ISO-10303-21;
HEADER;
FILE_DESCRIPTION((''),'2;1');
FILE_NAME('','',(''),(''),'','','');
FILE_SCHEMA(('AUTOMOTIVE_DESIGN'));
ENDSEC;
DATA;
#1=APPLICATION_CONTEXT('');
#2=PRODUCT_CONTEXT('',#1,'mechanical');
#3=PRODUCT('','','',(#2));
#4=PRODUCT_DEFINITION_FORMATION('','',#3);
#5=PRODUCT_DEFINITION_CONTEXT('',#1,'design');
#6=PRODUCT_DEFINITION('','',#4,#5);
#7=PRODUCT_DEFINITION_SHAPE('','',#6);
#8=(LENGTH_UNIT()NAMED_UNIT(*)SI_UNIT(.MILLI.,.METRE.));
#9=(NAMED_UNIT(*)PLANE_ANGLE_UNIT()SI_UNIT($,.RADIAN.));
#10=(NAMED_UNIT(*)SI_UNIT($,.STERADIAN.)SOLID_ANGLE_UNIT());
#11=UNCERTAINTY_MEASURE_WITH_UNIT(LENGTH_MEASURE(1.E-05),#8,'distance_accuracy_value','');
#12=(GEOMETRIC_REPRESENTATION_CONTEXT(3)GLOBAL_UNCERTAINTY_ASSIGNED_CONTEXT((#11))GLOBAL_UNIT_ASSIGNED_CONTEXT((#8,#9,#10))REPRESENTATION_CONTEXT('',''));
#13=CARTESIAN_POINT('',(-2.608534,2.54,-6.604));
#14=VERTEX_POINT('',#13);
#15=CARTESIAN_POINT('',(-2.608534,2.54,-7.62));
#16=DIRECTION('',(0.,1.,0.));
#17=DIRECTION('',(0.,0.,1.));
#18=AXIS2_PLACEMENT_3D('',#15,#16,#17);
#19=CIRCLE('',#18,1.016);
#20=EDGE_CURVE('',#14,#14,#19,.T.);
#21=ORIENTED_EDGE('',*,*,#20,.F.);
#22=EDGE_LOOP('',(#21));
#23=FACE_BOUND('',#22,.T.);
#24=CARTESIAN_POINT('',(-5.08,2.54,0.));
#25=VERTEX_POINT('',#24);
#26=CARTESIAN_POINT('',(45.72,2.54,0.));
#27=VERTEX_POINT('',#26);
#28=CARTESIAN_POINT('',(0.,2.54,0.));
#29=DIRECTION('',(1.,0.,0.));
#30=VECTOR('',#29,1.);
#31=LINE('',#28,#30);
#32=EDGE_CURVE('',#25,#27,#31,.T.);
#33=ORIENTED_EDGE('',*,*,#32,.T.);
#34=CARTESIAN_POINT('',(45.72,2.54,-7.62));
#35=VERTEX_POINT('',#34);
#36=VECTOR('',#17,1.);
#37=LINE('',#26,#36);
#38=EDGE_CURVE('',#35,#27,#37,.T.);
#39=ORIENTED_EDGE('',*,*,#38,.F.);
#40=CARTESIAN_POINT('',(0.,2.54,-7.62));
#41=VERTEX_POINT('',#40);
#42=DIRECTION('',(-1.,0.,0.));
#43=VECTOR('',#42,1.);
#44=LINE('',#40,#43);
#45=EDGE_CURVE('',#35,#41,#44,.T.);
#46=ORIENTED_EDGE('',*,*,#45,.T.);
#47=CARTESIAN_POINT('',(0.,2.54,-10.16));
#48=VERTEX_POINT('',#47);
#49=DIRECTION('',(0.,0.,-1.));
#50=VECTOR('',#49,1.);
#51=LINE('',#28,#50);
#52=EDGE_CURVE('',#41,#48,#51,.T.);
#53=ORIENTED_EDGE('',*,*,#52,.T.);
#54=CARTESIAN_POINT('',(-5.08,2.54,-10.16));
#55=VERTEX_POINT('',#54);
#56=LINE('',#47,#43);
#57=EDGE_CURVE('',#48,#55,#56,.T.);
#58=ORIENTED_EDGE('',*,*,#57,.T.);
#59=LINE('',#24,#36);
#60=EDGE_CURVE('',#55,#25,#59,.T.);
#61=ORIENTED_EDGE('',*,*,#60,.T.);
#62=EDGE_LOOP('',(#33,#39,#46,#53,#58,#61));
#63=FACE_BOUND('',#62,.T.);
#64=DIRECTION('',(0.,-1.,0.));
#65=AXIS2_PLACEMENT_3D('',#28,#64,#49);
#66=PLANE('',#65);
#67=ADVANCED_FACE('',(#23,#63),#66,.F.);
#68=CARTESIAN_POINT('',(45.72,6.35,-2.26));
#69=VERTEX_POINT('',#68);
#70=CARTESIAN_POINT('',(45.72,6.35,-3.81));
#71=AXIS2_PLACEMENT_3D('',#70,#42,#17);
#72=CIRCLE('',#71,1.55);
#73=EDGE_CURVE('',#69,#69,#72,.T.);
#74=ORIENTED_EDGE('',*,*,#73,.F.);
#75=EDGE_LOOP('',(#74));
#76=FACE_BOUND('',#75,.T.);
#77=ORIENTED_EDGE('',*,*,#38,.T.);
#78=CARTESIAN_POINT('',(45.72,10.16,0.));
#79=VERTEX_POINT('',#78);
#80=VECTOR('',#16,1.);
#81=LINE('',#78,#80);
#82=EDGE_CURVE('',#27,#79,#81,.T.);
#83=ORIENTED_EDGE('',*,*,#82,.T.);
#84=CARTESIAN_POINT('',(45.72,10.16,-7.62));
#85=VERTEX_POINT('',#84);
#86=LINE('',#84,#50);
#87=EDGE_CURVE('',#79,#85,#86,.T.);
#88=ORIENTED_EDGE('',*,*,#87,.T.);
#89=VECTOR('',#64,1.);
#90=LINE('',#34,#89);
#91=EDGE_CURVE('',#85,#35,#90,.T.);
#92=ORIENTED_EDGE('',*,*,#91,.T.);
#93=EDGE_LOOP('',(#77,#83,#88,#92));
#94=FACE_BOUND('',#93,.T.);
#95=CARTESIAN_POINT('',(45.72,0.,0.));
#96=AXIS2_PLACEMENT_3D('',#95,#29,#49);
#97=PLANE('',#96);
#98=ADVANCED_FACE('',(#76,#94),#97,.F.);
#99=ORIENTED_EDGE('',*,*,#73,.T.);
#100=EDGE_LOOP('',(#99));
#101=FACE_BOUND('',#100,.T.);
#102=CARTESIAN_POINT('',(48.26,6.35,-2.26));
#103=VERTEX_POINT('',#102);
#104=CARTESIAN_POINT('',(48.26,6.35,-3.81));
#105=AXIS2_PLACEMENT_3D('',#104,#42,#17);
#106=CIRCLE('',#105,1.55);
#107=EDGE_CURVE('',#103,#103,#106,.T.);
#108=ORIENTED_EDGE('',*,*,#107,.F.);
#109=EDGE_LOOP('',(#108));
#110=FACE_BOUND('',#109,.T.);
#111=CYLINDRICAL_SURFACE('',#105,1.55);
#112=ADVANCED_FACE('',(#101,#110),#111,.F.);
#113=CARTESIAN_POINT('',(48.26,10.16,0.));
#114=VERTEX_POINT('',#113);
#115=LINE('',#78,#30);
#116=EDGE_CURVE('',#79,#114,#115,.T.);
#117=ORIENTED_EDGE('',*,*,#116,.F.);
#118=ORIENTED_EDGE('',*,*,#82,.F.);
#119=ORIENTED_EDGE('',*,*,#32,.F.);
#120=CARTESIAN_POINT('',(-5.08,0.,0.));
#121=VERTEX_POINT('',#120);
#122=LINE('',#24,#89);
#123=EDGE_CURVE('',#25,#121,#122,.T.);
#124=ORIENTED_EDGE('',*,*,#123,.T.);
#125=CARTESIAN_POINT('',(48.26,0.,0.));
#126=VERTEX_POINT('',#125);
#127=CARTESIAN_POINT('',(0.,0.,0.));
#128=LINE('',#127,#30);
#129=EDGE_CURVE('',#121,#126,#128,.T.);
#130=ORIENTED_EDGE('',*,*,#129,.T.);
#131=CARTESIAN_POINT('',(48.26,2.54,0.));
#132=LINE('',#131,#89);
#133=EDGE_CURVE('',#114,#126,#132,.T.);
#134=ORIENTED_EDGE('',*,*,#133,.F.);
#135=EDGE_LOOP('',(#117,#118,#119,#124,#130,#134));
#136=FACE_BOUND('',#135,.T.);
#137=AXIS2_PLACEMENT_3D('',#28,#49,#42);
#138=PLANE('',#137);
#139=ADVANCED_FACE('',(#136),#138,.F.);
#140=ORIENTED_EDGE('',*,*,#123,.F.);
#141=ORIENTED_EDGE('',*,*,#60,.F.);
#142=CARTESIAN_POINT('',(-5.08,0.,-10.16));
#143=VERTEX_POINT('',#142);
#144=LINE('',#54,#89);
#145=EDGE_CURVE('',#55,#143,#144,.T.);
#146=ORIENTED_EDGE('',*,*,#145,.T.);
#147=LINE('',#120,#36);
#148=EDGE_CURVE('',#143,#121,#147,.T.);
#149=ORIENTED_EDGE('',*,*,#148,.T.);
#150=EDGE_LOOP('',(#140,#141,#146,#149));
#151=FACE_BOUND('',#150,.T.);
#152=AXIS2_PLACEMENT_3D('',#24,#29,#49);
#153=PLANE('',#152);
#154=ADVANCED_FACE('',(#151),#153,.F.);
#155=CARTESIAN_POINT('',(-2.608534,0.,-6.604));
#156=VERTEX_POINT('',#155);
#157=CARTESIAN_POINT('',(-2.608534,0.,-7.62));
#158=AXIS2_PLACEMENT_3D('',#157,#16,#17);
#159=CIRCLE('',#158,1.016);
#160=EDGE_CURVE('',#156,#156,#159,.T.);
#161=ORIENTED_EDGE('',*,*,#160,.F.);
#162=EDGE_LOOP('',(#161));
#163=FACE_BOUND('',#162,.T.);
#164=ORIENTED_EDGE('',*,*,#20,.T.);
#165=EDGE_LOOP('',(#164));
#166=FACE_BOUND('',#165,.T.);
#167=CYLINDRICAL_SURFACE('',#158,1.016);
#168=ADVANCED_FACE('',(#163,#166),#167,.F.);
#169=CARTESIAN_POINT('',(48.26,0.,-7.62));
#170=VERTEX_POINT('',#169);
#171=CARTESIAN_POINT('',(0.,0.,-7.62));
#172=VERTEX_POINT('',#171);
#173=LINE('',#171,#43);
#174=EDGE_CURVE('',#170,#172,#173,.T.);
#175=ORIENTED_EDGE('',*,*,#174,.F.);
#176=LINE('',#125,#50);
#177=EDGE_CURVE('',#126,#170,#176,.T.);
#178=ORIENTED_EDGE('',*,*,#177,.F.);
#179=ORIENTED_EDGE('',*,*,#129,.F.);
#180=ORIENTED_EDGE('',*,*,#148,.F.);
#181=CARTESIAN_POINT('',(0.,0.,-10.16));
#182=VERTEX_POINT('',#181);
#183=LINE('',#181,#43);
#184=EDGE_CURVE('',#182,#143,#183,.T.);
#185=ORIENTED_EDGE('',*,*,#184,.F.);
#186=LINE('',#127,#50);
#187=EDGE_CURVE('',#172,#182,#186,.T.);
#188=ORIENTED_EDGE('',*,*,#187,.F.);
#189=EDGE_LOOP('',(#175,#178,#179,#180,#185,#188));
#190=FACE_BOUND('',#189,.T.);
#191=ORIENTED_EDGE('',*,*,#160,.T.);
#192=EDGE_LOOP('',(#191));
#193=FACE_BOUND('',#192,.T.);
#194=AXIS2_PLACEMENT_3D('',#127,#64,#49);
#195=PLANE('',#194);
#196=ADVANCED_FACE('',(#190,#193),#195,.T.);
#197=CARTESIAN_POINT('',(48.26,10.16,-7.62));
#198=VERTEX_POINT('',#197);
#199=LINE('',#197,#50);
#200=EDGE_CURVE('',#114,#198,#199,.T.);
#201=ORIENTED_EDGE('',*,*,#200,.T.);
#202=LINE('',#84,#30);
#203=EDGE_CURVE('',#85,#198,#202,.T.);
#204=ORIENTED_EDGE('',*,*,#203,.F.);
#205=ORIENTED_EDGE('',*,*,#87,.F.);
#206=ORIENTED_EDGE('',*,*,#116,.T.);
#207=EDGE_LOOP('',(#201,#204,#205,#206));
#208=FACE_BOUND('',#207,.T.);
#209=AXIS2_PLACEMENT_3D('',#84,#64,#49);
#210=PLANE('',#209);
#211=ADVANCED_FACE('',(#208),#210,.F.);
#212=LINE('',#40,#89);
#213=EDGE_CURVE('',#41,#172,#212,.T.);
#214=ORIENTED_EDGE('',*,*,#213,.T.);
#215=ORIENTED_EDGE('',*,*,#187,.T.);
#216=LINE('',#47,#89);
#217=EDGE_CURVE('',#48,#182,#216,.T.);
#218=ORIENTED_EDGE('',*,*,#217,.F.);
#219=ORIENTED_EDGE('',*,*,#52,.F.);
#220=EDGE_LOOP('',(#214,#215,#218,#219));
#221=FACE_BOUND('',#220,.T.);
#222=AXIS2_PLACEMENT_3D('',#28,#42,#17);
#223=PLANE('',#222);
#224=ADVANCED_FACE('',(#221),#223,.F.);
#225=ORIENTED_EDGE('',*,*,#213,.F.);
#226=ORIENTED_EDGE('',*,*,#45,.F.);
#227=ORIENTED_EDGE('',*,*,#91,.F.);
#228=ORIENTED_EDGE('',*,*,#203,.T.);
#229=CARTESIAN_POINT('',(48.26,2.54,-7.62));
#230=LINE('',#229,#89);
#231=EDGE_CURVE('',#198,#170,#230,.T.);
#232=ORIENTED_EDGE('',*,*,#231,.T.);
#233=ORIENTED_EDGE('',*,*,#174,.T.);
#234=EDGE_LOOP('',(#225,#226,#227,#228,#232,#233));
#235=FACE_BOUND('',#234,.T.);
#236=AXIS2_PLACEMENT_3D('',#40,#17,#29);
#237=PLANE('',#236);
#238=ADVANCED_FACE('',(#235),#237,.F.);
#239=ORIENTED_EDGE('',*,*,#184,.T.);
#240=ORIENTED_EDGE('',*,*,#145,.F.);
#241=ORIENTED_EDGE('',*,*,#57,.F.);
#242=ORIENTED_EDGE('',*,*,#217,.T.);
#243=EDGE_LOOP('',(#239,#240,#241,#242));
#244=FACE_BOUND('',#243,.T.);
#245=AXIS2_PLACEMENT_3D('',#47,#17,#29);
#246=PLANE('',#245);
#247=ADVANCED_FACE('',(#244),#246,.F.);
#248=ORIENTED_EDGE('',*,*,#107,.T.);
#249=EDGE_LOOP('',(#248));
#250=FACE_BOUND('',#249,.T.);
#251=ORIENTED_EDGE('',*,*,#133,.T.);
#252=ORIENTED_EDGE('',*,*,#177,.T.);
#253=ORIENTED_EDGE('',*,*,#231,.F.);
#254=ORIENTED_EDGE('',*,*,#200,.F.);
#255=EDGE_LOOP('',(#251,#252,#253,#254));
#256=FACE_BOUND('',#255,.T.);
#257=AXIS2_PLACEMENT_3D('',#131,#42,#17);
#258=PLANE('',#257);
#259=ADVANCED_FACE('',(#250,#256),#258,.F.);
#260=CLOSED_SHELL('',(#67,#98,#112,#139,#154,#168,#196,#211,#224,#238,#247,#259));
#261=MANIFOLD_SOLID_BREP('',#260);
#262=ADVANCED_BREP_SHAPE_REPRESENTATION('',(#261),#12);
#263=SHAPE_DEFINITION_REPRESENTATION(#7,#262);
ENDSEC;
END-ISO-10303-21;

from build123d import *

# Parameters (mm, degrees)
SKETCH2_W           = 48.26
SKETCH2_H           = 7.62
BOSS_EXTRUDE1_DEPTH = 2.54
SKETCH3_W           = 5.08
SKETCH3_H           = 10.16
BOSS_EXTRUDE2_DEPTH = 2.54
SKETCH4_R           = 1.016
CUT_EXTRUDE1_DEPTH  = 2.54
SKETCH5_W           = 7.62
SKETCH5_H           = 7.62
BOSS_EXTRUDE3_DEPTH = 2.54
SKETCH7_R           = 1.55
CUT_EXTRUDE2_DEPTH  = 2.54


with BuildPart() as part:
    # Sketch2 → Boss-Extrude1 (new body)
    with BuildSketch(Plane(origin=(0, 0, 0), x_dir=(1, 0, 0), z_dir=(0, 1, 0))):
        with Locations((24.13, 3.81)):
            Rectangle(SKETCH2_W, SKETCH2_H)
    extrude(amount=BOSS_EXTRUDE1_DEPTH)

    # Sketch3 → Boss-Extrude2 (add)
    with BuildSketch(Plane(origin=(0, 0, 0), x_dir=(1, 0, 0), z_dir=(0, 1, 0))):
        with Locations((-2.54, 5.08)):
            Rectangle(SKETCH3_W, SKETCH3_H)
    extrude(amount=BOSS_EXTRUDE2_DEPTH)

    # Sketch4 → Cut-Extrude1 (cut)
    with BuildSketch(Plane(origin=(0, 2.54, 0), x_dir=(1, 0, 0), z_dir=(0, 1, 0))):
        with Locations(Location((-2.608533825, 7.62, 0), (0, 0, 270))):
            Circle(SKETCH4_R)
    extrude(amount=-CUT_EXTRUDE1_DEPTH, mode=Mode.SUBTRACT)

    # Sketch5 → Boss-Extrude3 (add)
    with BuildSketch(Plane.ZY.offset(-48.26)):
        with Locations((-3.81, 6.35)):
            Rectangle(SKETCH5_W, SKETCH5_H)
    extrude(amount=BOSS_EXTRUDE3_DEPTH)

    # Sketch7 → Cut-Extrude2 (cut)
    with BuildSketch(Plane.ZY.offset(-45.72)):
        with Locations((-3.81, 6.35)):
            Circle(SKETCH7_R)
    extrude(amount=-CUT_EXTRUDE2_DEPTH, mode=Mode.SUBTRACT)


solid = part.part
